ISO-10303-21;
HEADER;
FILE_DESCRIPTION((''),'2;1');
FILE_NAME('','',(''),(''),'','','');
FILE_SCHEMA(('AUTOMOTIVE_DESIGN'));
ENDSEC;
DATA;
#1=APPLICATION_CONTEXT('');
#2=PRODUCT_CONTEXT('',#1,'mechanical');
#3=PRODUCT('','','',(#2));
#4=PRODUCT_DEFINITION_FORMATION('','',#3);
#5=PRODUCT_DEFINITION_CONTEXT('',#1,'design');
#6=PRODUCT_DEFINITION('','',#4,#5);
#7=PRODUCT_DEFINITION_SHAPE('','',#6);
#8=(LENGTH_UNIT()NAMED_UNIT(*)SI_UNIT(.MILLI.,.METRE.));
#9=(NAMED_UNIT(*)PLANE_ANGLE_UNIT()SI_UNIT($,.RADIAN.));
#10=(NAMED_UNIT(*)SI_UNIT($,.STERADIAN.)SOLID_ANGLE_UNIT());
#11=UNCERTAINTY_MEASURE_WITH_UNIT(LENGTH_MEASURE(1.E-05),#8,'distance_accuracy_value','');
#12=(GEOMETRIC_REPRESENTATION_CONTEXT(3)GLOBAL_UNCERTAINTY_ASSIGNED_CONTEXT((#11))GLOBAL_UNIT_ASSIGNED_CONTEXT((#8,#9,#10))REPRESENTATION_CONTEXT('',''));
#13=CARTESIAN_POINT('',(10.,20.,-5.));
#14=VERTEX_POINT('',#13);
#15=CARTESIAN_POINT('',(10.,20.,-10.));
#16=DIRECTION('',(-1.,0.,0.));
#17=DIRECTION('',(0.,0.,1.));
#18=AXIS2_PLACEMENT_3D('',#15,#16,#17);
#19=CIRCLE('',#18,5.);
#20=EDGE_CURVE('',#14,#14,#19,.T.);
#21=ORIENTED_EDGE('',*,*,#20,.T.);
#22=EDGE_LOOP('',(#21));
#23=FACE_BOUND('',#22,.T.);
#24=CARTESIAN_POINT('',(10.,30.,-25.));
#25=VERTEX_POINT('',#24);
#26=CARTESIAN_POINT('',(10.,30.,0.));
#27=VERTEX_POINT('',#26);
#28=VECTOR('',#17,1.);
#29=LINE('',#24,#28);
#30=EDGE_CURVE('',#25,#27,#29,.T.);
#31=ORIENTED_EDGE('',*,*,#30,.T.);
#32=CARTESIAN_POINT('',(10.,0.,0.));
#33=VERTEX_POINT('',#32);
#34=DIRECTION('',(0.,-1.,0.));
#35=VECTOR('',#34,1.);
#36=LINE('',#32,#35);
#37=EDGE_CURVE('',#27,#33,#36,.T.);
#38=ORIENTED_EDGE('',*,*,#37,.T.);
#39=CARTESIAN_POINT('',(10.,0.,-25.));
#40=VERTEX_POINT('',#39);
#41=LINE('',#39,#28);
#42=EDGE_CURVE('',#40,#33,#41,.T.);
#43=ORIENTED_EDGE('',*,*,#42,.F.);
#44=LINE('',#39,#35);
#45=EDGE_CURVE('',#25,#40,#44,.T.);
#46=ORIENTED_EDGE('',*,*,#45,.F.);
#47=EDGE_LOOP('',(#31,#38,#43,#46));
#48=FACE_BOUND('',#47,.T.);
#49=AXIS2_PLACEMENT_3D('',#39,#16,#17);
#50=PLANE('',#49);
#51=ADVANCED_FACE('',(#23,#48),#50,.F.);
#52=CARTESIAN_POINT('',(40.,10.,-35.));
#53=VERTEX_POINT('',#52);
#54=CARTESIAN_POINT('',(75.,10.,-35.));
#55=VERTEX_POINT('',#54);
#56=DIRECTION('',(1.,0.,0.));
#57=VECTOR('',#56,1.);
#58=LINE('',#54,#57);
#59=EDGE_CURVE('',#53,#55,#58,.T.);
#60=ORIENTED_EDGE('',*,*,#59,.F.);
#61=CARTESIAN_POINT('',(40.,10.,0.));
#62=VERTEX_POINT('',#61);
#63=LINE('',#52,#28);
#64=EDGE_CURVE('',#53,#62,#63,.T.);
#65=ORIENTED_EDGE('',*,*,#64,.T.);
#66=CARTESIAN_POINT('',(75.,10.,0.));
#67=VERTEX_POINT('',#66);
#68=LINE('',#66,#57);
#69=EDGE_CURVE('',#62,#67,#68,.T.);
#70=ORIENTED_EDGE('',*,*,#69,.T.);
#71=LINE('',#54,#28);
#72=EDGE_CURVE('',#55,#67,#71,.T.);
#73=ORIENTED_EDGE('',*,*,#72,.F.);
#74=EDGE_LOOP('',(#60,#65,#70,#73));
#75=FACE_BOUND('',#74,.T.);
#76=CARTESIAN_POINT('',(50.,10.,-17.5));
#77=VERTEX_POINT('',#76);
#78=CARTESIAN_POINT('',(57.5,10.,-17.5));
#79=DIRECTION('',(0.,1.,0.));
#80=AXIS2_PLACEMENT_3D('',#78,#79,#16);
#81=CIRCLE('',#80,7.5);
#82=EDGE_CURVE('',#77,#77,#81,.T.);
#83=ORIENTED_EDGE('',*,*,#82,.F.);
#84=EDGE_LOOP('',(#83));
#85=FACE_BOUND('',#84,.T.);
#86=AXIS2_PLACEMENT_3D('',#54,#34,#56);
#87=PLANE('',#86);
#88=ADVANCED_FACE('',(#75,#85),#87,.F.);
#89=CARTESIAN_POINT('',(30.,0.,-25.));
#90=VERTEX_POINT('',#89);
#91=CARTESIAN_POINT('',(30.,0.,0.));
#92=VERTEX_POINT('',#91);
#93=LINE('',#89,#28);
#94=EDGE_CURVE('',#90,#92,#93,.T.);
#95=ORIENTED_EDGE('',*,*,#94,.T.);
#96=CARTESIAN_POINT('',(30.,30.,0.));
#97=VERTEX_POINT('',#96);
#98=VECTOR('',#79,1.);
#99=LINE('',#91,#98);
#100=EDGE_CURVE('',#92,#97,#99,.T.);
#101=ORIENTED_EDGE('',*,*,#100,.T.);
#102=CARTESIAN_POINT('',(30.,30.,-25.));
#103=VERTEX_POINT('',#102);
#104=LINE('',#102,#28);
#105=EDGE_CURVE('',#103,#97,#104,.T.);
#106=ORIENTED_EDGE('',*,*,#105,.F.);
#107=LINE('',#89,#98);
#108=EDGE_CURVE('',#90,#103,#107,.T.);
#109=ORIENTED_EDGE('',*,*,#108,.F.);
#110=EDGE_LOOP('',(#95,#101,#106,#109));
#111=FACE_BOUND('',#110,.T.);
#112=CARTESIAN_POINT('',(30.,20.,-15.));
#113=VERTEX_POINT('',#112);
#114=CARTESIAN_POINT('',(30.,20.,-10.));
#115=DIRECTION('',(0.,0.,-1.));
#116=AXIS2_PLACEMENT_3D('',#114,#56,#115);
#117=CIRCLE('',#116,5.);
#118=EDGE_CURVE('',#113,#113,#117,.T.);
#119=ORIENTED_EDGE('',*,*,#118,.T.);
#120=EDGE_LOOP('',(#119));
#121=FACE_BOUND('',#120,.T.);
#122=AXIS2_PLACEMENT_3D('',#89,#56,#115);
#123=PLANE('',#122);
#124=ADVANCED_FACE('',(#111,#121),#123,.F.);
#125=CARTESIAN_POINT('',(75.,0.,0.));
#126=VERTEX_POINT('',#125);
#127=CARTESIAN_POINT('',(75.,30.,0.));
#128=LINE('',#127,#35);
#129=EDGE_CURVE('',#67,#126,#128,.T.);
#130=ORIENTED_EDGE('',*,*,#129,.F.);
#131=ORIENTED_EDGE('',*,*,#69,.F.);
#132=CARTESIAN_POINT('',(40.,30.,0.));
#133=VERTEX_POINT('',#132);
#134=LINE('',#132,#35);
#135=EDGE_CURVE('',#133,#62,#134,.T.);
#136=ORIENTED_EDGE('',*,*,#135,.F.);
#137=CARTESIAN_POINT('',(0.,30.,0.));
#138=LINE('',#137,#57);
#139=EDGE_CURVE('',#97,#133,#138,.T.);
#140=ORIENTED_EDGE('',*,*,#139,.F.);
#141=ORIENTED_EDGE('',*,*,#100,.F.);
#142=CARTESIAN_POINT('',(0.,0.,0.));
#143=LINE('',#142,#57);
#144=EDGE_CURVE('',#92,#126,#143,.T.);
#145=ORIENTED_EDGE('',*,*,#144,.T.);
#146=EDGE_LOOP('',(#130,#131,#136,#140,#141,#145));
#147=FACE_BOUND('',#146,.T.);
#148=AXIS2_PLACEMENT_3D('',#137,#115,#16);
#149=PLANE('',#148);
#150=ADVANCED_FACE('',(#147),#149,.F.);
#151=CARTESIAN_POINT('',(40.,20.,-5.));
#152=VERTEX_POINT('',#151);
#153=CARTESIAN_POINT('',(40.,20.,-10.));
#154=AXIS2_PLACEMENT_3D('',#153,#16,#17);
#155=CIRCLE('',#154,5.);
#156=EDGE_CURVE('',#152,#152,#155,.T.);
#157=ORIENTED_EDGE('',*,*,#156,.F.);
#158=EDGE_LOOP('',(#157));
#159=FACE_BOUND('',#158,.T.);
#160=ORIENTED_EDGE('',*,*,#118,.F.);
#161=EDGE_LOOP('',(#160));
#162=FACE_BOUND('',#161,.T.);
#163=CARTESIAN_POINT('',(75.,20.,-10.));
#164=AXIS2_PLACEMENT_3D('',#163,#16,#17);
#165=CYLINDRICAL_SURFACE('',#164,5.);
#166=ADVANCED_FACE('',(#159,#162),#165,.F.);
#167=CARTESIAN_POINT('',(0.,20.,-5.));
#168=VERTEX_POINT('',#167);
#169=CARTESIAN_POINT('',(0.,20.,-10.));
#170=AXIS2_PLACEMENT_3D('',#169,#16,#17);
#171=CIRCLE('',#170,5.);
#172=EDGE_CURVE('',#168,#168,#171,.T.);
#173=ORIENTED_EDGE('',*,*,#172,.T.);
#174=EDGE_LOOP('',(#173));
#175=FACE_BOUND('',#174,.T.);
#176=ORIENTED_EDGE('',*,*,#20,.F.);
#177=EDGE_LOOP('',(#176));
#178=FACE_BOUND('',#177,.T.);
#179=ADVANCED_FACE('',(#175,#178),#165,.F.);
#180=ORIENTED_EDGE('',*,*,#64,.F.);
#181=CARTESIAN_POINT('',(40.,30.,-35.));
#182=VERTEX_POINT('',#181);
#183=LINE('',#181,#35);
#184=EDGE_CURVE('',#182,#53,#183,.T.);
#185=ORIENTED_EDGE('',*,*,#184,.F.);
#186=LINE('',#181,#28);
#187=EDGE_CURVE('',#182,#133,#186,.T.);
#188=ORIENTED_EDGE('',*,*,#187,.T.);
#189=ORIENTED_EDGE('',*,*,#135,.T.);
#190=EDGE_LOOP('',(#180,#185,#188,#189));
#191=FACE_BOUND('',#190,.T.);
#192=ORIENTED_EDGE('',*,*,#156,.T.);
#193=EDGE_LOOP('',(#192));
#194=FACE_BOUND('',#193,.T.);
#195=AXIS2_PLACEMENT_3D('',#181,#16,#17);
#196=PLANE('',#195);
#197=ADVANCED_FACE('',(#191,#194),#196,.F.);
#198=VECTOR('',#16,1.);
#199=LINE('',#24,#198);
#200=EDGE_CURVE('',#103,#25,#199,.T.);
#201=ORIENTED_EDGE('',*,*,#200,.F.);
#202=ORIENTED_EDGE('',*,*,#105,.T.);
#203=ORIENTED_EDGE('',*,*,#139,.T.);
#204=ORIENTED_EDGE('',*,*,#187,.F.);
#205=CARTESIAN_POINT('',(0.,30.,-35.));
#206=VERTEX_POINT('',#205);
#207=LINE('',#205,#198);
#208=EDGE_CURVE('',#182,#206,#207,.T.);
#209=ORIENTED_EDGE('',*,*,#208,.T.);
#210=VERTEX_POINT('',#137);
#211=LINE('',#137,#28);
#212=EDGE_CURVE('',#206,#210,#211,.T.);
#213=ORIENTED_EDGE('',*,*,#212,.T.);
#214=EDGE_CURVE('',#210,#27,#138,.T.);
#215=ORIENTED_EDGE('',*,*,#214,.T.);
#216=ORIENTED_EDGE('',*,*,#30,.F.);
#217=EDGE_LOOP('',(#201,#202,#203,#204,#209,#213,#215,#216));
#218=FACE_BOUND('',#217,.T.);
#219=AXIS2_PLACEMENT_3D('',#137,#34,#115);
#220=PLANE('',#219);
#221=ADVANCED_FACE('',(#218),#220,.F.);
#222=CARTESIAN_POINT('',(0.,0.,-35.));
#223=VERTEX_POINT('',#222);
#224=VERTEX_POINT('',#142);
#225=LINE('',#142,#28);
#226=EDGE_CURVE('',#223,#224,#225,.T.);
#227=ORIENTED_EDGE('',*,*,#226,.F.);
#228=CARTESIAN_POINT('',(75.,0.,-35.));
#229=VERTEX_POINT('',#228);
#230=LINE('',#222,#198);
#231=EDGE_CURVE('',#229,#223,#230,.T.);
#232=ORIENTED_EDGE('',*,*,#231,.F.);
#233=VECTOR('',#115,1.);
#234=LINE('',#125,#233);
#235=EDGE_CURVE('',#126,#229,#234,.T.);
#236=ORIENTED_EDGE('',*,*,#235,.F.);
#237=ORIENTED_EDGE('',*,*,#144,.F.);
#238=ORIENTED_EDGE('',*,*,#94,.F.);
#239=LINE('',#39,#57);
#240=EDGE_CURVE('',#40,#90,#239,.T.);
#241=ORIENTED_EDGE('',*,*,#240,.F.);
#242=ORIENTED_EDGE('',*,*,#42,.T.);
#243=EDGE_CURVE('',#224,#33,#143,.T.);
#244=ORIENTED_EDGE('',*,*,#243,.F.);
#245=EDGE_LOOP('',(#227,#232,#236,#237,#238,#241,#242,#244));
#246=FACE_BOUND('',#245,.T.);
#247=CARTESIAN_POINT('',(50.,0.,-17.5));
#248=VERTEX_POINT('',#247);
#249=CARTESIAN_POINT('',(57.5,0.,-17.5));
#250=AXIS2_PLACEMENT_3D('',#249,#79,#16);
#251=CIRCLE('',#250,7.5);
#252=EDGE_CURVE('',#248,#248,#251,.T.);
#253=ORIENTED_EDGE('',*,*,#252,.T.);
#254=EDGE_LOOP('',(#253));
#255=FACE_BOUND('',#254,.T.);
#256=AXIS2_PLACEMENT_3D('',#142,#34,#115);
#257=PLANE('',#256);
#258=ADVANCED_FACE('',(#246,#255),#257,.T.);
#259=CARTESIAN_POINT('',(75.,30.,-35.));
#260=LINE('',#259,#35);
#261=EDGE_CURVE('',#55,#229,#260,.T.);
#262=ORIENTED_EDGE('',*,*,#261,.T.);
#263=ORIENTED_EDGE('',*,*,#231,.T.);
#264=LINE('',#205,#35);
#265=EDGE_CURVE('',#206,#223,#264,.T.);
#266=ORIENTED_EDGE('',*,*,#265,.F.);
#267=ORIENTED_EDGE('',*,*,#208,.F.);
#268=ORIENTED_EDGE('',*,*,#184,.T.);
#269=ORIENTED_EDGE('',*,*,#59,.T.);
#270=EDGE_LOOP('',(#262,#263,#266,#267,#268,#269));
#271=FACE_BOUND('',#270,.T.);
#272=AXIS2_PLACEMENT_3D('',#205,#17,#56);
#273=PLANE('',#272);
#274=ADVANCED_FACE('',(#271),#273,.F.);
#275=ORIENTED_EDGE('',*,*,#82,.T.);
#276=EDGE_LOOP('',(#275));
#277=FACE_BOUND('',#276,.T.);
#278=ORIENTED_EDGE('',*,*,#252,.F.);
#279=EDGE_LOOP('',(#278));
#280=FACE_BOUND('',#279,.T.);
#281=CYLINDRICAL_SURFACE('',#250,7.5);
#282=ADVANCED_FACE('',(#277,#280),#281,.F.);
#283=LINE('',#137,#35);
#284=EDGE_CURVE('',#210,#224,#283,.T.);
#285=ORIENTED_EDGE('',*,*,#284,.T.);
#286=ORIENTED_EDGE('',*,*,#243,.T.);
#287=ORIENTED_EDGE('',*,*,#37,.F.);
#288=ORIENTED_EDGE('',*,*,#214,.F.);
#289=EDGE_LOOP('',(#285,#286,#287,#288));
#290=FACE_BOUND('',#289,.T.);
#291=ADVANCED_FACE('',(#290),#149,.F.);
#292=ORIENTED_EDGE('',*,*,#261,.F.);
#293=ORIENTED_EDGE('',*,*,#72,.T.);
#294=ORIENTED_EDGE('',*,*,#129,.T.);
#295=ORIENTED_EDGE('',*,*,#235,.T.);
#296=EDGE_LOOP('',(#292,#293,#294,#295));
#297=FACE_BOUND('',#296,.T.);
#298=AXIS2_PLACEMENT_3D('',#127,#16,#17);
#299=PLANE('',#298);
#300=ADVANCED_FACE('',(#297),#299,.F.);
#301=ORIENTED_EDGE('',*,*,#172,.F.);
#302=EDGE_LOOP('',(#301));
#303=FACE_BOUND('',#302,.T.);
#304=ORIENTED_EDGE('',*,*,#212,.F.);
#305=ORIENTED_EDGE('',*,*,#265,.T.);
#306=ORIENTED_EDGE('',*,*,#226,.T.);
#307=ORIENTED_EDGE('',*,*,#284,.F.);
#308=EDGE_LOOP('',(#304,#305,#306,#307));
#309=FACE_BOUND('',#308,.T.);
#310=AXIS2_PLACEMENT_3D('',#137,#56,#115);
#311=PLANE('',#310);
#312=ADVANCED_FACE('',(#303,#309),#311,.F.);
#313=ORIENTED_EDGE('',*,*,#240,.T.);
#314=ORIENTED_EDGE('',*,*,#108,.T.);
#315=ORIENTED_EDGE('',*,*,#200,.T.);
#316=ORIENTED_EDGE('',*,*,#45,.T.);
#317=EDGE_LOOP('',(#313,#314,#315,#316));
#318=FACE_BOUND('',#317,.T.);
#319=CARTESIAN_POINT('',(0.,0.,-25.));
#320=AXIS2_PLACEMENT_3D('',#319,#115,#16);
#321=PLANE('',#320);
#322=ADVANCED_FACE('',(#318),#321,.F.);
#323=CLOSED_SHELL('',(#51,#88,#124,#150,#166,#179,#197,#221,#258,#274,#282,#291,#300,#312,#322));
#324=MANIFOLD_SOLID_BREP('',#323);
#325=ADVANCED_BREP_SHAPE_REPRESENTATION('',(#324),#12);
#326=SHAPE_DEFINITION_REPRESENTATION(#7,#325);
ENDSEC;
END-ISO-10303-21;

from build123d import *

# Parameters (mm, degrees)
SKETCH1_W           = 75
SKETCH1_H           = 35
BOSS_EXTRUDE1_DEPTH = 30
SKETCH2_W           = 20
SKETCH2_H           = 30
CUT_EXTRUDE1_DEPTH  = 25
SKETCH3_W           = 35
SKETCH3_H           = 20
CUT_EXTRUDE2_DEPTH  = 36
SKETCH4_R           = 7.5
CUT_EXTRUDE3_DEPTH  = 11
SKETCH5_R           = 5
CUT_EXTRUDE4_DEPTH  = 76


with BuildPart() as part:
    # Sketch1 → Boss-Extrude1 (new body)
    with BuildSketch(Plane(origin=(0, 0, 0), x_dir=(1, 0, 0), z_dir=(0, 1, 0))):
        with Locations((37.5, 17.5)):
            Rectangle(SKETCH1_W, SKETCH1_H)
    extrude(amount=BOSS_EXTRUDE1_DEPTH)

    # Sketch2 → Cut-Extrude1 (cut)
    with BuildSketch(Plane.XY):
        with Locations((20, 15)):
            Rectangle(SKETCH2_W, SKETCH2_H)
    extrude(amount=-CUT_EXTRUDE1_DEPTH, mode=Mode.SUBTRACT)

    # Sketch3 → Cut-Extrude2 (cut, through all)
    with BuildSketch(Plane.XY):
        with Locations((57.5, 20)):
            Rectangle(SKETCH3_W, SKETCH3_H)
    extrude(amount=-CUT_EXTRUDE2_DEPTH, mode=Mode.SUBTRACT)

    # Sketch4 → Cut-Extrude3 (cut, through all)
    with BuildSketch(Plane(origin=(0, 10, 0), x_dir=(1, 0, 0), z_dir=(0, 1, 0))):
        with Locations((57.5, 17.5)):
            Circle(SKETCH4_R)
    extrude(amount=-CUT_EXTRUDE3_DEPTH, mode=Mode.SUBTRACT)

    # Sketch5 → Cut-Extrude4 (cut, through all)
    with BuildSketch(Plane.ZY):
        with Locations((-10, 20)):
            Circle(SKETCH5_R)
    extrude(amount=-CUT_EXTRUDE4_DEPTH, mode=Mode.SUBTRACT)


solid = part.part
